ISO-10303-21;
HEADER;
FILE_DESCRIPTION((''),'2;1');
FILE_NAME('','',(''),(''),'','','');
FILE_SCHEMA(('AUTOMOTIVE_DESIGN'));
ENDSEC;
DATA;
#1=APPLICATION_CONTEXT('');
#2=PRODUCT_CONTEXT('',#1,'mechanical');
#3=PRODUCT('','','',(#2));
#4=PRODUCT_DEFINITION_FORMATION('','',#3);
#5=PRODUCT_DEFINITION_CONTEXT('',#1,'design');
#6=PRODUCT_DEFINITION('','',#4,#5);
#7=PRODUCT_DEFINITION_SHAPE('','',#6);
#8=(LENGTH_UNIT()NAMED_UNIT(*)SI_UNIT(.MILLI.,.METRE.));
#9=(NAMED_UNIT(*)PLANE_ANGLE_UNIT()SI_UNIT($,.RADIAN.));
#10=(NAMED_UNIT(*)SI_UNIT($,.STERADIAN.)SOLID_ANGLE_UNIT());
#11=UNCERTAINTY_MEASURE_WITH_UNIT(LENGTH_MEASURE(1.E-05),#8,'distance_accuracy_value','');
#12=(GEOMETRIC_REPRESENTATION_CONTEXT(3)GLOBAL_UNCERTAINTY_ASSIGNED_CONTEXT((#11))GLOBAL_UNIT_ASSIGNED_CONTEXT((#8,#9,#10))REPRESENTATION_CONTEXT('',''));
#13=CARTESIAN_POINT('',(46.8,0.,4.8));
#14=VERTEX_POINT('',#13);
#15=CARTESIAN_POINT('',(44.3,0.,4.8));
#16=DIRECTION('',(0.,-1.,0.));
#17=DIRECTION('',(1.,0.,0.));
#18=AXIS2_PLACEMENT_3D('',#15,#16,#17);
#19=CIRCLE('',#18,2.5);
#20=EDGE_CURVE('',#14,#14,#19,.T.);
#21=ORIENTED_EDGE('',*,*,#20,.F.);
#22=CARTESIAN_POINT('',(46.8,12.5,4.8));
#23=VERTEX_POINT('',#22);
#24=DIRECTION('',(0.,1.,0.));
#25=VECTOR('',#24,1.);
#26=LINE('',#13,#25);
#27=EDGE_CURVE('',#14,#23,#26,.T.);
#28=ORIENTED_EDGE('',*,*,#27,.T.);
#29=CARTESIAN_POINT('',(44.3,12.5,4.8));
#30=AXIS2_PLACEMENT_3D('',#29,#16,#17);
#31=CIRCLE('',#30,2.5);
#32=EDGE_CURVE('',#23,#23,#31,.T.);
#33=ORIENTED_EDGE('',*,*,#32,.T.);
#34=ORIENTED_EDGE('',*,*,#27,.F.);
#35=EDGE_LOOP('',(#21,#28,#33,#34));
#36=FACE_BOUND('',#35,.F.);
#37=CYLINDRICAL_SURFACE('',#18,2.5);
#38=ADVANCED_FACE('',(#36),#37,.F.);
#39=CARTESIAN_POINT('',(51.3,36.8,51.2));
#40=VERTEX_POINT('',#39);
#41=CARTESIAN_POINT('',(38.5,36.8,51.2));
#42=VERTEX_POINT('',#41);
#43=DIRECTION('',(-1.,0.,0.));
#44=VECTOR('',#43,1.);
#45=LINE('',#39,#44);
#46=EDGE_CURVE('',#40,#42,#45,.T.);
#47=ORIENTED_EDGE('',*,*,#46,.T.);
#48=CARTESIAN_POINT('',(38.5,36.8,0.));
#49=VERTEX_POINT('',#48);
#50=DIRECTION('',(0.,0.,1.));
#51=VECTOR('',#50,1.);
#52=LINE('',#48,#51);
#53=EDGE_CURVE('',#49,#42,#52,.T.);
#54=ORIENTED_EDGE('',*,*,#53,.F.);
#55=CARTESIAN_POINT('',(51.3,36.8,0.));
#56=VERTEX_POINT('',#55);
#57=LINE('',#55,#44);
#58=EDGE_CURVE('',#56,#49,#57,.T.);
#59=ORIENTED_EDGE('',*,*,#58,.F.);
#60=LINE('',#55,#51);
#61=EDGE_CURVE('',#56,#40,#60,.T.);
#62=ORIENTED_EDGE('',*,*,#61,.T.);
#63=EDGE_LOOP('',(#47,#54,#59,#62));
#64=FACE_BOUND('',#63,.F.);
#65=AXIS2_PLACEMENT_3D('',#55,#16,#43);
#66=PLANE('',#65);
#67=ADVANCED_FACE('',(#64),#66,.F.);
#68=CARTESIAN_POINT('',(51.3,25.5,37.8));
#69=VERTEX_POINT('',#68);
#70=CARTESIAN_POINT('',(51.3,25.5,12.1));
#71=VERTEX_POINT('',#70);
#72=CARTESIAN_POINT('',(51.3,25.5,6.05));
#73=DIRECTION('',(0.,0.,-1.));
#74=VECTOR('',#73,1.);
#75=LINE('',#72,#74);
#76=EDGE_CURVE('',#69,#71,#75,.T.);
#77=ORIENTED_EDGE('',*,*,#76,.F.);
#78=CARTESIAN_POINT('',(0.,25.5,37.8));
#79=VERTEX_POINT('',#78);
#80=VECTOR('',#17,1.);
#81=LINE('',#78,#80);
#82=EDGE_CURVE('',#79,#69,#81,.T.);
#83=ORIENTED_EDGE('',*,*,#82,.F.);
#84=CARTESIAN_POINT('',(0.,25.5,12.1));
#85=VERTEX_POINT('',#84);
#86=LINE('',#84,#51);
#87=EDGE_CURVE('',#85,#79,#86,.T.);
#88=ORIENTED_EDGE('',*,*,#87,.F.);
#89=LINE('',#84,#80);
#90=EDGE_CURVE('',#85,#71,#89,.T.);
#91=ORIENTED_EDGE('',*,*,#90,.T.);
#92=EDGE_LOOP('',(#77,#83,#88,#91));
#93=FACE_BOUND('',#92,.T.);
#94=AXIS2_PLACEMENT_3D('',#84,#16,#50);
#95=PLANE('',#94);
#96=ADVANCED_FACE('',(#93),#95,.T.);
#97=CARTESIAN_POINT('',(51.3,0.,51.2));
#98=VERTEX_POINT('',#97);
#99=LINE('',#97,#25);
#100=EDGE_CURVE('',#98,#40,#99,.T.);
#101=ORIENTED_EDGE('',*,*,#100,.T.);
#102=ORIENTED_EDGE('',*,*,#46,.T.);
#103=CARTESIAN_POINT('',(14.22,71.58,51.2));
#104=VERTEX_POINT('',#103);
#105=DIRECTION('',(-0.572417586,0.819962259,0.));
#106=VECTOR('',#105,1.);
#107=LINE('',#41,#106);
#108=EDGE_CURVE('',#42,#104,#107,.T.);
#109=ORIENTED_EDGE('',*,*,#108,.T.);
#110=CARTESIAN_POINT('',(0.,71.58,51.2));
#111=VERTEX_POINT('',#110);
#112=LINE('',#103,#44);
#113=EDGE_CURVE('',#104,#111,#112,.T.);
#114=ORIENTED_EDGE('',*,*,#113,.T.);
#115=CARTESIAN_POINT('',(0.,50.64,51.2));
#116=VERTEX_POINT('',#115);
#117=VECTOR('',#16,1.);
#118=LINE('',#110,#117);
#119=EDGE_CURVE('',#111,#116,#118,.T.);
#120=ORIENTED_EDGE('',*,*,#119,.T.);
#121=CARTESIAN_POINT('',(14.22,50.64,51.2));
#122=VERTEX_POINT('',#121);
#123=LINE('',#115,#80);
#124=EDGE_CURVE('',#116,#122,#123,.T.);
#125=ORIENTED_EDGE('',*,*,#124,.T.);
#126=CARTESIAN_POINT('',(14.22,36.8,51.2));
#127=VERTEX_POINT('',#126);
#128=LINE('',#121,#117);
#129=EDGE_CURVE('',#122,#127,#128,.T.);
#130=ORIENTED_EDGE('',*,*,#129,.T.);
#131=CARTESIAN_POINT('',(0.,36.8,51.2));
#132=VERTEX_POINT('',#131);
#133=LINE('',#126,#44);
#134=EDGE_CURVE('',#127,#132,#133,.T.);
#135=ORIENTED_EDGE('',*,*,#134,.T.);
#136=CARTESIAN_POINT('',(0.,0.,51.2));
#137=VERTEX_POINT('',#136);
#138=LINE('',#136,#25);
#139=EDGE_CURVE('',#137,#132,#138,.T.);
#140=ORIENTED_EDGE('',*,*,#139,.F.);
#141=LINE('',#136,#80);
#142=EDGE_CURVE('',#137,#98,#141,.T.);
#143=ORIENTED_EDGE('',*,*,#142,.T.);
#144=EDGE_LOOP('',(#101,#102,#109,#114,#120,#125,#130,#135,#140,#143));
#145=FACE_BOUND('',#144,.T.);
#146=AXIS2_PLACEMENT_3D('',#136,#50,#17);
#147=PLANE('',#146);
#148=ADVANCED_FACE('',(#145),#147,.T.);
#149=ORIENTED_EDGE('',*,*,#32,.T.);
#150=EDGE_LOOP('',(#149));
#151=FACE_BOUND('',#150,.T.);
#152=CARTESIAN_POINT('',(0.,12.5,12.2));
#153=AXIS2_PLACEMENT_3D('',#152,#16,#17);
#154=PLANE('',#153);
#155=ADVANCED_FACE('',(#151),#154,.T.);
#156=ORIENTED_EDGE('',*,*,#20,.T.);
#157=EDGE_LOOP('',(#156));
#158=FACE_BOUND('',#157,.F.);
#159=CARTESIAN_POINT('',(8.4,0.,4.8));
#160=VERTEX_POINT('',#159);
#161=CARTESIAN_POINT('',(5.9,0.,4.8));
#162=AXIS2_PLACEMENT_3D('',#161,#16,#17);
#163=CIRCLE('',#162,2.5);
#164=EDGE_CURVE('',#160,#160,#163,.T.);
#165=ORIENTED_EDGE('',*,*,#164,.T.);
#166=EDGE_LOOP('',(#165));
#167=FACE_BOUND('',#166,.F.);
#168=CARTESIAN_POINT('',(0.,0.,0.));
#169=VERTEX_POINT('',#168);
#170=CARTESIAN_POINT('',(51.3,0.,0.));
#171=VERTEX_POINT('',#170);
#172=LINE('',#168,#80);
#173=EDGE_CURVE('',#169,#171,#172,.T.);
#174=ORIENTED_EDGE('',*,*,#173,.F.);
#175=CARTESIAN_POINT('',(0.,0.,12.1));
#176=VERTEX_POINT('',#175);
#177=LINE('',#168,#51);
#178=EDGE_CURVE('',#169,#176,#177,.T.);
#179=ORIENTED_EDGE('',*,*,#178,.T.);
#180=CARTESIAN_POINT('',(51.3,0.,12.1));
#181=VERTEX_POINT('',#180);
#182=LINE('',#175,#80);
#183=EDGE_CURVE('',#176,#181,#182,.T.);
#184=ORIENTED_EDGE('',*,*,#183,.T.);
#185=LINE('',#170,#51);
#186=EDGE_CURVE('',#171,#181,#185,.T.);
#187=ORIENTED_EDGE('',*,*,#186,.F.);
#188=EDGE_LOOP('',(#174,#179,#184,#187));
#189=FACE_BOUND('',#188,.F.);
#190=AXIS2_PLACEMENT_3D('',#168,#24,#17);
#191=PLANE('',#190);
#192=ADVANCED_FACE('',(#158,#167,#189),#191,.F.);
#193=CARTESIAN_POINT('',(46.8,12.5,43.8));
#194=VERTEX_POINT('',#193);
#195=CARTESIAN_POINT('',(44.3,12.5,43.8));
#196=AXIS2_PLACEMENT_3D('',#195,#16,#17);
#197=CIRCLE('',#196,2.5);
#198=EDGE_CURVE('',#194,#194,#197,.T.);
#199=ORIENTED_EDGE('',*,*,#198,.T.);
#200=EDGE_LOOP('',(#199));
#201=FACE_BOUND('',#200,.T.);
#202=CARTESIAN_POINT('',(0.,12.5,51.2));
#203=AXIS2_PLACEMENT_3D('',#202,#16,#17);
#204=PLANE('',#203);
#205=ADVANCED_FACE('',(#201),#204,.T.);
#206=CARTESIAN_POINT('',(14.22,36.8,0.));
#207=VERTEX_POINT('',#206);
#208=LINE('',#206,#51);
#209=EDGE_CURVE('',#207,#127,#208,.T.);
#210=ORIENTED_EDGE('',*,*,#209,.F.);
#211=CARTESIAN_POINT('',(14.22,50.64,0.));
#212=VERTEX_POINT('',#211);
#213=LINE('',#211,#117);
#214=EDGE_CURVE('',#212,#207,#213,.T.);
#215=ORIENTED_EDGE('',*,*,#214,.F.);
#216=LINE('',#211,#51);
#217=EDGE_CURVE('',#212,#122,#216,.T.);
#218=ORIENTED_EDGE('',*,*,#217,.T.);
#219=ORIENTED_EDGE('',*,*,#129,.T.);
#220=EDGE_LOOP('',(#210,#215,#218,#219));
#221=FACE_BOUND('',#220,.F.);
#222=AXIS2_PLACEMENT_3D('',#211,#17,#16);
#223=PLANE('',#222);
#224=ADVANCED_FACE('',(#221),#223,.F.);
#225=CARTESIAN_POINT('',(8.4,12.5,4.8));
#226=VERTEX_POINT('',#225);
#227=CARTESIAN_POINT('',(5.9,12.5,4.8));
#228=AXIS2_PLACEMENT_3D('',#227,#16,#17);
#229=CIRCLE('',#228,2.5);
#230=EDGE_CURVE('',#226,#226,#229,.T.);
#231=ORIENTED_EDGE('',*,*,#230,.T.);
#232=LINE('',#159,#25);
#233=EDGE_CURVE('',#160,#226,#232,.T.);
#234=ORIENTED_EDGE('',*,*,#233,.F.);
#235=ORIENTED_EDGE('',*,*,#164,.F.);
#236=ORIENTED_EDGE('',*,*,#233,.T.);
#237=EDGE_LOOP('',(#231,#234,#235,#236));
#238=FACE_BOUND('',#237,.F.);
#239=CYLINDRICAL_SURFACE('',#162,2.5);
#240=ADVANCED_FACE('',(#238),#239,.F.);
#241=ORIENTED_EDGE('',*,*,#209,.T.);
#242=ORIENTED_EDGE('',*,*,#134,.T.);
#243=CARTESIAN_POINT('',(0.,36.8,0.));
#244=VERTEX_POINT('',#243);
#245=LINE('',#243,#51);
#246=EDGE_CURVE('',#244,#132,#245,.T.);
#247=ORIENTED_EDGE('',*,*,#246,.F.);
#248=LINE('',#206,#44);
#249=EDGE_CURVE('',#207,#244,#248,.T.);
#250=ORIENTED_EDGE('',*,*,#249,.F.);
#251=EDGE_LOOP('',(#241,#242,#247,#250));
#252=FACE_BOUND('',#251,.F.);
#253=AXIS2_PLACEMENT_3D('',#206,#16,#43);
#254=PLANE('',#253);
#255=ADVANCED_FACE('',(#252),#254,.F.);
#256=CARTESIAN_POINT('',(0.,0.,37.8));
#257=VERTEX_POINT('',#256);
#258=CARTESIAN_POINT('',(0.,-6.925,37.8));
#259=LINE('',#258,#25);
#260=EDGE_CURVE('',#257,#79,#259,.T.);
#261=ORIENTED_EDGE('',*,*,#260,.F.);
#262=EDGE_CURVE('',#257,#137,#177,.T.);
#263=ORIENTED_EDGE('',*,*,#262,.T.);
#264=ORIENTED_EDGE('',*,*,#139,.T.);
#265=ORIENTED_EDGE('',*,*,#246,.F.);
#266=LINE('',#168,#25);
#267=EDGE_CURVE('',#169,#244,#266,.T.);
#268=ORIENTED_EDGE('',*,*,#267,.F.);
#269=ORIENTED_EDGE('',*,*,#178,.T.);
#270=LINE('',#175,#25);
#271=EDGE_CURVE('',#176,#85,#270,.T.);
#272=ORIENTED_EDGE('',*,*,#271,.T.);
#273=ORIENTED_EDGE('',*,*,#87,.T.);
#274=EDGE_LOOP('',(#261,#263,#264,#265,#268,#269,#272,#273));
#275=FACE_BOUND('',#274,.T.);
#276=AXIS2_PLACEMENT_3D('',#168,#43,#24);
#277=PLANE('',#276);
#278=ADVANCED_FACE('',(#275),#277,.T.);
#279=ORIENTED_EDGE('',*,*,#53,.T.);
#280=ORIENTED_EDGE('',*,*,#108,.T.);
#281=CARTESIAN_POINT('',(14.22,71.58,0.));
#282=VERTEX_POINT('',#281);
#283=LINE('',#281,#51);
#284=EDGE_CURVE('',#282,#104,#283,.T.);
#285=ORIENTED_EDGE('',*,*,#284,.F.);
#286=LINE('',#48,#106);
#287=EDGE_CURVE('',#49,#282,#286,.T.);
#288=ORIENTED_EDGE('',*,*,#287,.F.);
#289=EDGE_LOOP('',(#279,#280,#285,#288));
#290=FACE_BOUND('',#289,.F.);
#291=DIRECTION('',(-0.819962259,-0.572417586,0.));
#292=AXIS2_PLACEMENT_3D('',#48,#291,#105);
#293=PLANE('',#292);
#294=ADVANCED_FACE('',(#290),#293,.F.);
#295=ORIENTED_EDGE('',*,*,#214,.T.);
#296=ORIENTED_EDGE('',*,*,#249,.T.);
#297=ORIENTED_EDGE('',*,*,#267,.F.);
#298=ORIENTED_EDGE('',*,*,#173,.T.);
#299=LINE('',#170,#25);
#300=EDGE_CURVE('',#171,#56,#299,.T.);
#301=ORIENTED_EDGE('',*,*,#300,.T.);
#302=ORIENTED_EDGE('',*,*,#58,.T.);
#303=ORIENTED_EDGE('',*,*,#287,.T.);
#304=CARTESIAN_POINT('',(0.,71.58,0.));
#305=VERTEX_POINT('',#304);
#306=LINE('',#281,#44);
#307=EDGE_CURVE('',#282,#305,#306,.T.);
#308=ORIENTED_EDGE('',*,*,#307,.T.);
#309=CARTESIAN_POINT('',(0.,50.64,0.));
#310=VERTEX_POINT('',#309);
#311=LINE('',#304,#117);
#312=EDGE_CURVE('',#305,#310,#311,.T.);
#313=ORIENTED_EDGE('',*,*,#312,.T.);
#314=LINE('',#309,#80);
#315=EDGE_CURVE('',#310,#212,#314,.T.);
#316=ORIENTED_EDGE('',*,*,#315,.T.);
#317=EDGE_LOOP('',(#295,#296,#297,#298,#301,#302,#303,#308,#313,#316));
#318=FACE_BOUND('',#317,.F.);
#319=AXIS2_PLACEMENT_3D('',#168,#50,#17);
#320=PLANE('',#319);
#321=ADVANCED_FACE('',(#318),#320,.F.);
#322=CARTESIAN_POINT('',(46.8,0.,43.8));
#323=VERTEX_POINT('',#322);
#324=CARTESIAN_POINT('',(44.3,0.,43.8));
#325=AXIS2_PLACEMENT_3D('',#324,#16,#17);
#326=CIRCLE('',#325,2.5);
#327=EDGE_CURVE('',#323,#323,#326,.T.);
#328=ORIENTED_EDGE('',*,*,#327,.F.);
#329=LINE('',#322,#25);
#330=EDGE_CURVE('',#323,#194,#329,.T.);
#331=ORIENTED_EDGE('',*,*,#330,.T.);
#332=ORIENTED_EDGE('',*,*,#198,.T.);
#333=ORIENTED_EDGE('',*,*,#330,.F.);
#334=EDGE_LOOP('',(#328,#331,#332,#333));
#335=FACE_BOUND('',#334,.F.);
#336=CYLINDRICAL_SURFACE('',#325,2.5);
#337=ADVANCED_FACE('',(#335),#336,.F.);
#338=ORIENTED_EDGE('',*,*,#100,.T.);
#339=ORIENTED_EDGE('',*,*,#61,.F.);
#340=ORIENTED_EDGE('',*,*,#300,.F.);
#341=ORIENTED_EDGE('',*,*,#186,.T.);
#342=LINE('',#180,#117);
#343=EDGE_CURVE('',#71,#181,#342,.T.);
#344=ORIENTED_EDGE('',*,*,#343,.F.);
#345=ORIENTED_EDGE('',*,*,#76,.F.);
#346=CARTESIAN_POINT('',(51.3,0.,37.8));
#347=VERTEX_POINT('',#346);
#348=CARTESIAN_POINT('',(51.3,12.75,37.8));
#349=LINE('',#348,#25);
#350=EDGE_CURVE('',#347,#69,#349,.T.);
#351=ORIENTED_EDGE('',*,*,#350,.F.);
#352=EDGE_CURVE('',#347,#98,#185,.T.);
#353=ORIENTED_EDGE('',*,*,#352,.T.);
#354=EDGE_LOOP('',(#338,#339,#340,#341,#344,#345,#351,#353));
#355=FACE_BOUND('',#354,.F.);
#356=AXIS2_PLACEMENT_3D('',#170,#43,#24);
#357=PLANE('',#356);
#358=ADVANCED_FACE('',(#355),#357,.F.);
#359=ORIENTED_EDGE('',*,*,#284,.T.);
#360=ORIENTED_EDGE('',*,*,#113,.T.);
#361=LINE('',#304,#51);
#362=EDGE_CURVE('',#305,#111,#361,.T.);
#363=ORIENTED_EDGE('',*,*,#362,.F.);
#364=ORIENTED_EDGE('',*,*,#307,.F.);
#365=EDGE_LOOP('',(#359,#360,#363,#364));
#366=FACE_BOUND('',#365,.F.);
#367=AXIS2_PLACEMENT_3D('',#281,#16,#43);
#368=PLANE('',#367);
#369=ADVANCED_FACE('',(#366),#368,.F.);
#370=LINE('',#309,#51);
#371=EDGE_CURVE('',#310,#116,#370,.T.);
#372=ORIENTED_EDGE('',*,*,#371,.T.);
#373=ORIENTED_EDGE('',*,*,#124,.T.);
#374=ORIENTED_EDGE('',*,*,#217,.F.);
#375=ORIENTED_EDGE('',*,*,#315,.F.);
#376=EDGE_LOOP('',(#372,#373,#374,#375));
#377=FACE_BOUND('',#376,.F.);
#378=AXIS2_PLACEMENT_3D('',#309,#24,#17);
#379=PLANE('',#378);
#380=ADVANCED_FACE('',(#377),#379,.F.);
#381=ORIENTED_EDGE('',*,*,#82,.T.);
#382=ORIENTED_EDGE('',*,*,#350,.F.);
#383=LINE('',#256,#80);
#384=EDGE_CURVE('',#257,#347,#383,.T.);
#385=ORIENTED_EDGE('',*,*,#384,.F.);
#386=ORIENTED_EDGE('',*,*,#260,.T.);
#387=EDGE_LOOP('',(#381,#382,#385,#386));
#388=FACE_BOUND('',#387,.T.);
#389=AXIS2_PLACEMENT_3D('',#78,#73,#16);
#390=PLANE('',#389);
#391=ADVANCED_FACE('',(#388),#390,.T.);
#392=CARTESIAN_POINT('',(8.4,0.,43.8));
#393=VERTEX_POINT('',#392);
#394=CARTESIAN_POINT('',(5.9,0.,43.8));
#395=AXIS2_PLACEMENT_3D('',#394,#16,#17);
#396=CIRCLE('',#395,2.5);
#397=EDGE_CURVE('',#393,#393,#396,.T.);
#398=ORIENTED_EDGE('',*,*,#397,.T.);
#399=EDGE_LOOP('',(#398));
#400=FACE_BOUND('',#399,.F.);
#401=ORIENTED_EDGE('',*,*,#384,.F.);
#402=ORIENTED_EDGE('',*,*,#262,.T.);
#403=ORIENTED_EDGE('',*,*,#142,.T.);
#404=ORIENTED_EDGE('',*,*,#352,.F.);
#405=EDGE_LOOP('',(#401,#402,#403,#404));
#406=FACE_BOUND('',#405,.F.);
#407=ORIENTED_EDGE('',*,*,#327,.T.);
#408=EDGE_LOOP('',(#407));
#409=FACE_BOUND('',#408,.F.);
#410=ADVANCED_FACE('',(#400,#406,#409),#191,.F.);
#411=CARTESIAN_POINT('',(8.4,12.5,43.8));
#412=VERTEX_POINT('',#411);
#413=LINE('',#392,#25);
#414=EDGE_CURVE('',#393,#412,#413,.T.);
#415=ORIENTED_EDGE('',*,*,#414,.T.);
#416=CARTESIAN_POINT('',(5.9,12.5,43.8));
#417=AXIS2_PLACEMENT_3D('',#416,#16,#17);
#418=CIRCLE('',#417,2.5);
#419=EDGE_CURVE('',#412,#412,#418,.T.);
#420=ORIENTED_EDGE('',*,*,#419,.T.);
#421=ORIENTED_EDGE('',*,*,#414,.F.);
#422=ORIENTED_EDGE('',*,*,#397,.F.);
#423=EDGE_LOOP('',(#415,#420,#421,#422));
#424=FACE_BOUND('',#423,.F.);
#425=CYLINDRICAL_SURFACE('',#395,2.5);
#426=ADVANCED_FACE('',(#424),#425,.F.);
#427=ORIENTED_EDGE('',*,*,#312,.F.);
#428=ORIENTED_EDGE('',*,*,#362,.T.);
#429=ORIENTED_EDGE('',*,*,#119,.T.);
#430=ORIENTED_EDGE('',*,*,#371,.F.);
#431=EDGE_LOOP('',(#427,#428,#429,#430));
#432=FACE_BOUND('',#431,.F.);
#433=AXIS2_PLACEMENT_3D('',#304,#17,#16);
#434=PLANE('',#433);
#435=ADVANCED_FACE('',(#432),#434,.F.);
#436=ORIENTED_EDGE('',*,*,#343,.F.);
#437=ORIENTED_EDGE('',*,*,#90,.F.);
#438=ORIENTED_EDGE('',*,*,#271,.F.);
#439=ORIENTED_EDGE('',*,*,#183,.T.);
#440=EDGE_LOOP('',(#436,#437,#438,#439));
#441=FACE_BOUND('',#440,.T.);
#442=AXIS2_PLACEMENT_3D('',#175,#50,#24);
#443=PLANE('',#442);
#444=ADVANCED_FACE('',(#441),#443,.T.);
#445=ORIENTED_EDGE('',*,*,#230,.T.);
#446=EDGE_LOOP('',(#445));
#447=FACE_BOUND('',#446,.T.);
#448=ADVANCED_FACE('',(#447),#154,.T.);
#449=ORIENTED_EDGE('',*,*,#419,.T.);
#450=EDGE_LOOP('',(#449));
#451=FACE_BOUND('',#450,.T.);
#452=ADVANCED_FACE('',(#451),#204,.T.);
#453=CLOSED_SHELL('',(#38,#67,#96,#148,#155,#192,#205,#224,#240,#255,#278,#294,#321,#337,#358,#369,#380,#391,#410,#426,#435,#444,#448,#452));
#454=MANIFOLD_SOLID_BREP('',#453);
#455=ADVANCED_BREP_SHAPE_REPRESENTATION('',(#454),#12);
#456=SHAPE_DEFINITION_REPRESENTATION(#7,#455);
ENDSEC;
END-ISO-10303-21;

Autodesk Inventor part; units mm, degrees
ref_plane "YZ Plane" through (0, 0, 0) normal (1, 0, 0) x (0, 1, 0)
ref_plane "XZ Plane" through (0, 0, 0) normal (0, 1, 0) x (-1, 0, 0)
ref_plane "XY Plane" through (0, 0, 0) normal (0, 0, 1) x (1, 0, 0)
sketch "草圖1" plane through (0, 0, 0) normal (0, 0, 1) x (1, 0, 0)
  line L0 (0, 0) -> (51.3, 0)
  line L1 (51.3, 0) -> (51.3, 36.8)
  line L2 (51.3, 36.8) -> (38.5, 36.8)
  line L3 (38.5, 36.8) -> (14.22, 71.58)
  line L4 (14.22, 71.58) -> (0, 71.58)
  line L5 (0, 71.58) -> (0, 50.64)
  line L6 (0, 50.64) -> (14.22, 50.64)
  line L7 (14.22, 50.64) -> (14.22, 36.8)
  line L8 (14.22, 36.8) -> (0, 36.8)
  line L9 (0, 0) -> (0, 36.8)
  dimension "d0" = 36.8
  dimension "d1" = 14.22
  dimension "d3" = 13.84
  dimension "d4" = 14.22
  dimension "d5" = 71.58
  dimension "d6" = 51.3
  dimension "d7" = 12.8
extrude "擠出1" add sketch "草圖1" along normal blind 51.2
sketch "草圖2" plane through (0, 0, 0) normal (-1, 0, 0) x (0, 0, 1)
  line L0 (0, 0) -> (51.2, 0) projected
  line L1 (12.1, 0) -> (12.1, 25.5)
  line L2 (12.1, 25.5) -> (37.8, 25.5)
  line L3 (37.8, 25.5) -> (37.8, -6.925)
  line L4 (37.8, -6.925) -> (13.9148, -5.9857)
  line L5 (13.9148, -5.9857) -> (12.1, 0)
  line L6 (51.2, 36.8) -> (51.2, 0) projected
  dimension "d10" = 25.7
  dimension "d12" = 13.4
  dimension "d13" = 25.5
extrude "擠出2" cut sketch "草圖2" against normal up to next
sketch "草圖3" plane through (0, 0, 51.2) normal (0, -1, 0) x (1, 0, 0)
  circle A0 centre (44.3, -7.4) radius 2.5
  line L0 (0, -13.4) -> (51.3, -13.4) projected
  line L1 (51.3, -13.4) -> (51.3, 0) projected
  circle A1 centre (5.9, -7.4) radius 2.5
  point P0 (0, -51.2)
  dimension "d16" = 5
  dimension "d18" = 6
  dimension "d19" = 7
  dimension "d22" = 38.4
extrude "擠出3" cut sketch "草圖3" against normal blind 12.5
pattern_linear "矩形陣列1" count 2 spacing 39 along (0, 0, -1) of "擠出3"
properties part number "小虎鉗-左側" material "鋁合金 6061"
